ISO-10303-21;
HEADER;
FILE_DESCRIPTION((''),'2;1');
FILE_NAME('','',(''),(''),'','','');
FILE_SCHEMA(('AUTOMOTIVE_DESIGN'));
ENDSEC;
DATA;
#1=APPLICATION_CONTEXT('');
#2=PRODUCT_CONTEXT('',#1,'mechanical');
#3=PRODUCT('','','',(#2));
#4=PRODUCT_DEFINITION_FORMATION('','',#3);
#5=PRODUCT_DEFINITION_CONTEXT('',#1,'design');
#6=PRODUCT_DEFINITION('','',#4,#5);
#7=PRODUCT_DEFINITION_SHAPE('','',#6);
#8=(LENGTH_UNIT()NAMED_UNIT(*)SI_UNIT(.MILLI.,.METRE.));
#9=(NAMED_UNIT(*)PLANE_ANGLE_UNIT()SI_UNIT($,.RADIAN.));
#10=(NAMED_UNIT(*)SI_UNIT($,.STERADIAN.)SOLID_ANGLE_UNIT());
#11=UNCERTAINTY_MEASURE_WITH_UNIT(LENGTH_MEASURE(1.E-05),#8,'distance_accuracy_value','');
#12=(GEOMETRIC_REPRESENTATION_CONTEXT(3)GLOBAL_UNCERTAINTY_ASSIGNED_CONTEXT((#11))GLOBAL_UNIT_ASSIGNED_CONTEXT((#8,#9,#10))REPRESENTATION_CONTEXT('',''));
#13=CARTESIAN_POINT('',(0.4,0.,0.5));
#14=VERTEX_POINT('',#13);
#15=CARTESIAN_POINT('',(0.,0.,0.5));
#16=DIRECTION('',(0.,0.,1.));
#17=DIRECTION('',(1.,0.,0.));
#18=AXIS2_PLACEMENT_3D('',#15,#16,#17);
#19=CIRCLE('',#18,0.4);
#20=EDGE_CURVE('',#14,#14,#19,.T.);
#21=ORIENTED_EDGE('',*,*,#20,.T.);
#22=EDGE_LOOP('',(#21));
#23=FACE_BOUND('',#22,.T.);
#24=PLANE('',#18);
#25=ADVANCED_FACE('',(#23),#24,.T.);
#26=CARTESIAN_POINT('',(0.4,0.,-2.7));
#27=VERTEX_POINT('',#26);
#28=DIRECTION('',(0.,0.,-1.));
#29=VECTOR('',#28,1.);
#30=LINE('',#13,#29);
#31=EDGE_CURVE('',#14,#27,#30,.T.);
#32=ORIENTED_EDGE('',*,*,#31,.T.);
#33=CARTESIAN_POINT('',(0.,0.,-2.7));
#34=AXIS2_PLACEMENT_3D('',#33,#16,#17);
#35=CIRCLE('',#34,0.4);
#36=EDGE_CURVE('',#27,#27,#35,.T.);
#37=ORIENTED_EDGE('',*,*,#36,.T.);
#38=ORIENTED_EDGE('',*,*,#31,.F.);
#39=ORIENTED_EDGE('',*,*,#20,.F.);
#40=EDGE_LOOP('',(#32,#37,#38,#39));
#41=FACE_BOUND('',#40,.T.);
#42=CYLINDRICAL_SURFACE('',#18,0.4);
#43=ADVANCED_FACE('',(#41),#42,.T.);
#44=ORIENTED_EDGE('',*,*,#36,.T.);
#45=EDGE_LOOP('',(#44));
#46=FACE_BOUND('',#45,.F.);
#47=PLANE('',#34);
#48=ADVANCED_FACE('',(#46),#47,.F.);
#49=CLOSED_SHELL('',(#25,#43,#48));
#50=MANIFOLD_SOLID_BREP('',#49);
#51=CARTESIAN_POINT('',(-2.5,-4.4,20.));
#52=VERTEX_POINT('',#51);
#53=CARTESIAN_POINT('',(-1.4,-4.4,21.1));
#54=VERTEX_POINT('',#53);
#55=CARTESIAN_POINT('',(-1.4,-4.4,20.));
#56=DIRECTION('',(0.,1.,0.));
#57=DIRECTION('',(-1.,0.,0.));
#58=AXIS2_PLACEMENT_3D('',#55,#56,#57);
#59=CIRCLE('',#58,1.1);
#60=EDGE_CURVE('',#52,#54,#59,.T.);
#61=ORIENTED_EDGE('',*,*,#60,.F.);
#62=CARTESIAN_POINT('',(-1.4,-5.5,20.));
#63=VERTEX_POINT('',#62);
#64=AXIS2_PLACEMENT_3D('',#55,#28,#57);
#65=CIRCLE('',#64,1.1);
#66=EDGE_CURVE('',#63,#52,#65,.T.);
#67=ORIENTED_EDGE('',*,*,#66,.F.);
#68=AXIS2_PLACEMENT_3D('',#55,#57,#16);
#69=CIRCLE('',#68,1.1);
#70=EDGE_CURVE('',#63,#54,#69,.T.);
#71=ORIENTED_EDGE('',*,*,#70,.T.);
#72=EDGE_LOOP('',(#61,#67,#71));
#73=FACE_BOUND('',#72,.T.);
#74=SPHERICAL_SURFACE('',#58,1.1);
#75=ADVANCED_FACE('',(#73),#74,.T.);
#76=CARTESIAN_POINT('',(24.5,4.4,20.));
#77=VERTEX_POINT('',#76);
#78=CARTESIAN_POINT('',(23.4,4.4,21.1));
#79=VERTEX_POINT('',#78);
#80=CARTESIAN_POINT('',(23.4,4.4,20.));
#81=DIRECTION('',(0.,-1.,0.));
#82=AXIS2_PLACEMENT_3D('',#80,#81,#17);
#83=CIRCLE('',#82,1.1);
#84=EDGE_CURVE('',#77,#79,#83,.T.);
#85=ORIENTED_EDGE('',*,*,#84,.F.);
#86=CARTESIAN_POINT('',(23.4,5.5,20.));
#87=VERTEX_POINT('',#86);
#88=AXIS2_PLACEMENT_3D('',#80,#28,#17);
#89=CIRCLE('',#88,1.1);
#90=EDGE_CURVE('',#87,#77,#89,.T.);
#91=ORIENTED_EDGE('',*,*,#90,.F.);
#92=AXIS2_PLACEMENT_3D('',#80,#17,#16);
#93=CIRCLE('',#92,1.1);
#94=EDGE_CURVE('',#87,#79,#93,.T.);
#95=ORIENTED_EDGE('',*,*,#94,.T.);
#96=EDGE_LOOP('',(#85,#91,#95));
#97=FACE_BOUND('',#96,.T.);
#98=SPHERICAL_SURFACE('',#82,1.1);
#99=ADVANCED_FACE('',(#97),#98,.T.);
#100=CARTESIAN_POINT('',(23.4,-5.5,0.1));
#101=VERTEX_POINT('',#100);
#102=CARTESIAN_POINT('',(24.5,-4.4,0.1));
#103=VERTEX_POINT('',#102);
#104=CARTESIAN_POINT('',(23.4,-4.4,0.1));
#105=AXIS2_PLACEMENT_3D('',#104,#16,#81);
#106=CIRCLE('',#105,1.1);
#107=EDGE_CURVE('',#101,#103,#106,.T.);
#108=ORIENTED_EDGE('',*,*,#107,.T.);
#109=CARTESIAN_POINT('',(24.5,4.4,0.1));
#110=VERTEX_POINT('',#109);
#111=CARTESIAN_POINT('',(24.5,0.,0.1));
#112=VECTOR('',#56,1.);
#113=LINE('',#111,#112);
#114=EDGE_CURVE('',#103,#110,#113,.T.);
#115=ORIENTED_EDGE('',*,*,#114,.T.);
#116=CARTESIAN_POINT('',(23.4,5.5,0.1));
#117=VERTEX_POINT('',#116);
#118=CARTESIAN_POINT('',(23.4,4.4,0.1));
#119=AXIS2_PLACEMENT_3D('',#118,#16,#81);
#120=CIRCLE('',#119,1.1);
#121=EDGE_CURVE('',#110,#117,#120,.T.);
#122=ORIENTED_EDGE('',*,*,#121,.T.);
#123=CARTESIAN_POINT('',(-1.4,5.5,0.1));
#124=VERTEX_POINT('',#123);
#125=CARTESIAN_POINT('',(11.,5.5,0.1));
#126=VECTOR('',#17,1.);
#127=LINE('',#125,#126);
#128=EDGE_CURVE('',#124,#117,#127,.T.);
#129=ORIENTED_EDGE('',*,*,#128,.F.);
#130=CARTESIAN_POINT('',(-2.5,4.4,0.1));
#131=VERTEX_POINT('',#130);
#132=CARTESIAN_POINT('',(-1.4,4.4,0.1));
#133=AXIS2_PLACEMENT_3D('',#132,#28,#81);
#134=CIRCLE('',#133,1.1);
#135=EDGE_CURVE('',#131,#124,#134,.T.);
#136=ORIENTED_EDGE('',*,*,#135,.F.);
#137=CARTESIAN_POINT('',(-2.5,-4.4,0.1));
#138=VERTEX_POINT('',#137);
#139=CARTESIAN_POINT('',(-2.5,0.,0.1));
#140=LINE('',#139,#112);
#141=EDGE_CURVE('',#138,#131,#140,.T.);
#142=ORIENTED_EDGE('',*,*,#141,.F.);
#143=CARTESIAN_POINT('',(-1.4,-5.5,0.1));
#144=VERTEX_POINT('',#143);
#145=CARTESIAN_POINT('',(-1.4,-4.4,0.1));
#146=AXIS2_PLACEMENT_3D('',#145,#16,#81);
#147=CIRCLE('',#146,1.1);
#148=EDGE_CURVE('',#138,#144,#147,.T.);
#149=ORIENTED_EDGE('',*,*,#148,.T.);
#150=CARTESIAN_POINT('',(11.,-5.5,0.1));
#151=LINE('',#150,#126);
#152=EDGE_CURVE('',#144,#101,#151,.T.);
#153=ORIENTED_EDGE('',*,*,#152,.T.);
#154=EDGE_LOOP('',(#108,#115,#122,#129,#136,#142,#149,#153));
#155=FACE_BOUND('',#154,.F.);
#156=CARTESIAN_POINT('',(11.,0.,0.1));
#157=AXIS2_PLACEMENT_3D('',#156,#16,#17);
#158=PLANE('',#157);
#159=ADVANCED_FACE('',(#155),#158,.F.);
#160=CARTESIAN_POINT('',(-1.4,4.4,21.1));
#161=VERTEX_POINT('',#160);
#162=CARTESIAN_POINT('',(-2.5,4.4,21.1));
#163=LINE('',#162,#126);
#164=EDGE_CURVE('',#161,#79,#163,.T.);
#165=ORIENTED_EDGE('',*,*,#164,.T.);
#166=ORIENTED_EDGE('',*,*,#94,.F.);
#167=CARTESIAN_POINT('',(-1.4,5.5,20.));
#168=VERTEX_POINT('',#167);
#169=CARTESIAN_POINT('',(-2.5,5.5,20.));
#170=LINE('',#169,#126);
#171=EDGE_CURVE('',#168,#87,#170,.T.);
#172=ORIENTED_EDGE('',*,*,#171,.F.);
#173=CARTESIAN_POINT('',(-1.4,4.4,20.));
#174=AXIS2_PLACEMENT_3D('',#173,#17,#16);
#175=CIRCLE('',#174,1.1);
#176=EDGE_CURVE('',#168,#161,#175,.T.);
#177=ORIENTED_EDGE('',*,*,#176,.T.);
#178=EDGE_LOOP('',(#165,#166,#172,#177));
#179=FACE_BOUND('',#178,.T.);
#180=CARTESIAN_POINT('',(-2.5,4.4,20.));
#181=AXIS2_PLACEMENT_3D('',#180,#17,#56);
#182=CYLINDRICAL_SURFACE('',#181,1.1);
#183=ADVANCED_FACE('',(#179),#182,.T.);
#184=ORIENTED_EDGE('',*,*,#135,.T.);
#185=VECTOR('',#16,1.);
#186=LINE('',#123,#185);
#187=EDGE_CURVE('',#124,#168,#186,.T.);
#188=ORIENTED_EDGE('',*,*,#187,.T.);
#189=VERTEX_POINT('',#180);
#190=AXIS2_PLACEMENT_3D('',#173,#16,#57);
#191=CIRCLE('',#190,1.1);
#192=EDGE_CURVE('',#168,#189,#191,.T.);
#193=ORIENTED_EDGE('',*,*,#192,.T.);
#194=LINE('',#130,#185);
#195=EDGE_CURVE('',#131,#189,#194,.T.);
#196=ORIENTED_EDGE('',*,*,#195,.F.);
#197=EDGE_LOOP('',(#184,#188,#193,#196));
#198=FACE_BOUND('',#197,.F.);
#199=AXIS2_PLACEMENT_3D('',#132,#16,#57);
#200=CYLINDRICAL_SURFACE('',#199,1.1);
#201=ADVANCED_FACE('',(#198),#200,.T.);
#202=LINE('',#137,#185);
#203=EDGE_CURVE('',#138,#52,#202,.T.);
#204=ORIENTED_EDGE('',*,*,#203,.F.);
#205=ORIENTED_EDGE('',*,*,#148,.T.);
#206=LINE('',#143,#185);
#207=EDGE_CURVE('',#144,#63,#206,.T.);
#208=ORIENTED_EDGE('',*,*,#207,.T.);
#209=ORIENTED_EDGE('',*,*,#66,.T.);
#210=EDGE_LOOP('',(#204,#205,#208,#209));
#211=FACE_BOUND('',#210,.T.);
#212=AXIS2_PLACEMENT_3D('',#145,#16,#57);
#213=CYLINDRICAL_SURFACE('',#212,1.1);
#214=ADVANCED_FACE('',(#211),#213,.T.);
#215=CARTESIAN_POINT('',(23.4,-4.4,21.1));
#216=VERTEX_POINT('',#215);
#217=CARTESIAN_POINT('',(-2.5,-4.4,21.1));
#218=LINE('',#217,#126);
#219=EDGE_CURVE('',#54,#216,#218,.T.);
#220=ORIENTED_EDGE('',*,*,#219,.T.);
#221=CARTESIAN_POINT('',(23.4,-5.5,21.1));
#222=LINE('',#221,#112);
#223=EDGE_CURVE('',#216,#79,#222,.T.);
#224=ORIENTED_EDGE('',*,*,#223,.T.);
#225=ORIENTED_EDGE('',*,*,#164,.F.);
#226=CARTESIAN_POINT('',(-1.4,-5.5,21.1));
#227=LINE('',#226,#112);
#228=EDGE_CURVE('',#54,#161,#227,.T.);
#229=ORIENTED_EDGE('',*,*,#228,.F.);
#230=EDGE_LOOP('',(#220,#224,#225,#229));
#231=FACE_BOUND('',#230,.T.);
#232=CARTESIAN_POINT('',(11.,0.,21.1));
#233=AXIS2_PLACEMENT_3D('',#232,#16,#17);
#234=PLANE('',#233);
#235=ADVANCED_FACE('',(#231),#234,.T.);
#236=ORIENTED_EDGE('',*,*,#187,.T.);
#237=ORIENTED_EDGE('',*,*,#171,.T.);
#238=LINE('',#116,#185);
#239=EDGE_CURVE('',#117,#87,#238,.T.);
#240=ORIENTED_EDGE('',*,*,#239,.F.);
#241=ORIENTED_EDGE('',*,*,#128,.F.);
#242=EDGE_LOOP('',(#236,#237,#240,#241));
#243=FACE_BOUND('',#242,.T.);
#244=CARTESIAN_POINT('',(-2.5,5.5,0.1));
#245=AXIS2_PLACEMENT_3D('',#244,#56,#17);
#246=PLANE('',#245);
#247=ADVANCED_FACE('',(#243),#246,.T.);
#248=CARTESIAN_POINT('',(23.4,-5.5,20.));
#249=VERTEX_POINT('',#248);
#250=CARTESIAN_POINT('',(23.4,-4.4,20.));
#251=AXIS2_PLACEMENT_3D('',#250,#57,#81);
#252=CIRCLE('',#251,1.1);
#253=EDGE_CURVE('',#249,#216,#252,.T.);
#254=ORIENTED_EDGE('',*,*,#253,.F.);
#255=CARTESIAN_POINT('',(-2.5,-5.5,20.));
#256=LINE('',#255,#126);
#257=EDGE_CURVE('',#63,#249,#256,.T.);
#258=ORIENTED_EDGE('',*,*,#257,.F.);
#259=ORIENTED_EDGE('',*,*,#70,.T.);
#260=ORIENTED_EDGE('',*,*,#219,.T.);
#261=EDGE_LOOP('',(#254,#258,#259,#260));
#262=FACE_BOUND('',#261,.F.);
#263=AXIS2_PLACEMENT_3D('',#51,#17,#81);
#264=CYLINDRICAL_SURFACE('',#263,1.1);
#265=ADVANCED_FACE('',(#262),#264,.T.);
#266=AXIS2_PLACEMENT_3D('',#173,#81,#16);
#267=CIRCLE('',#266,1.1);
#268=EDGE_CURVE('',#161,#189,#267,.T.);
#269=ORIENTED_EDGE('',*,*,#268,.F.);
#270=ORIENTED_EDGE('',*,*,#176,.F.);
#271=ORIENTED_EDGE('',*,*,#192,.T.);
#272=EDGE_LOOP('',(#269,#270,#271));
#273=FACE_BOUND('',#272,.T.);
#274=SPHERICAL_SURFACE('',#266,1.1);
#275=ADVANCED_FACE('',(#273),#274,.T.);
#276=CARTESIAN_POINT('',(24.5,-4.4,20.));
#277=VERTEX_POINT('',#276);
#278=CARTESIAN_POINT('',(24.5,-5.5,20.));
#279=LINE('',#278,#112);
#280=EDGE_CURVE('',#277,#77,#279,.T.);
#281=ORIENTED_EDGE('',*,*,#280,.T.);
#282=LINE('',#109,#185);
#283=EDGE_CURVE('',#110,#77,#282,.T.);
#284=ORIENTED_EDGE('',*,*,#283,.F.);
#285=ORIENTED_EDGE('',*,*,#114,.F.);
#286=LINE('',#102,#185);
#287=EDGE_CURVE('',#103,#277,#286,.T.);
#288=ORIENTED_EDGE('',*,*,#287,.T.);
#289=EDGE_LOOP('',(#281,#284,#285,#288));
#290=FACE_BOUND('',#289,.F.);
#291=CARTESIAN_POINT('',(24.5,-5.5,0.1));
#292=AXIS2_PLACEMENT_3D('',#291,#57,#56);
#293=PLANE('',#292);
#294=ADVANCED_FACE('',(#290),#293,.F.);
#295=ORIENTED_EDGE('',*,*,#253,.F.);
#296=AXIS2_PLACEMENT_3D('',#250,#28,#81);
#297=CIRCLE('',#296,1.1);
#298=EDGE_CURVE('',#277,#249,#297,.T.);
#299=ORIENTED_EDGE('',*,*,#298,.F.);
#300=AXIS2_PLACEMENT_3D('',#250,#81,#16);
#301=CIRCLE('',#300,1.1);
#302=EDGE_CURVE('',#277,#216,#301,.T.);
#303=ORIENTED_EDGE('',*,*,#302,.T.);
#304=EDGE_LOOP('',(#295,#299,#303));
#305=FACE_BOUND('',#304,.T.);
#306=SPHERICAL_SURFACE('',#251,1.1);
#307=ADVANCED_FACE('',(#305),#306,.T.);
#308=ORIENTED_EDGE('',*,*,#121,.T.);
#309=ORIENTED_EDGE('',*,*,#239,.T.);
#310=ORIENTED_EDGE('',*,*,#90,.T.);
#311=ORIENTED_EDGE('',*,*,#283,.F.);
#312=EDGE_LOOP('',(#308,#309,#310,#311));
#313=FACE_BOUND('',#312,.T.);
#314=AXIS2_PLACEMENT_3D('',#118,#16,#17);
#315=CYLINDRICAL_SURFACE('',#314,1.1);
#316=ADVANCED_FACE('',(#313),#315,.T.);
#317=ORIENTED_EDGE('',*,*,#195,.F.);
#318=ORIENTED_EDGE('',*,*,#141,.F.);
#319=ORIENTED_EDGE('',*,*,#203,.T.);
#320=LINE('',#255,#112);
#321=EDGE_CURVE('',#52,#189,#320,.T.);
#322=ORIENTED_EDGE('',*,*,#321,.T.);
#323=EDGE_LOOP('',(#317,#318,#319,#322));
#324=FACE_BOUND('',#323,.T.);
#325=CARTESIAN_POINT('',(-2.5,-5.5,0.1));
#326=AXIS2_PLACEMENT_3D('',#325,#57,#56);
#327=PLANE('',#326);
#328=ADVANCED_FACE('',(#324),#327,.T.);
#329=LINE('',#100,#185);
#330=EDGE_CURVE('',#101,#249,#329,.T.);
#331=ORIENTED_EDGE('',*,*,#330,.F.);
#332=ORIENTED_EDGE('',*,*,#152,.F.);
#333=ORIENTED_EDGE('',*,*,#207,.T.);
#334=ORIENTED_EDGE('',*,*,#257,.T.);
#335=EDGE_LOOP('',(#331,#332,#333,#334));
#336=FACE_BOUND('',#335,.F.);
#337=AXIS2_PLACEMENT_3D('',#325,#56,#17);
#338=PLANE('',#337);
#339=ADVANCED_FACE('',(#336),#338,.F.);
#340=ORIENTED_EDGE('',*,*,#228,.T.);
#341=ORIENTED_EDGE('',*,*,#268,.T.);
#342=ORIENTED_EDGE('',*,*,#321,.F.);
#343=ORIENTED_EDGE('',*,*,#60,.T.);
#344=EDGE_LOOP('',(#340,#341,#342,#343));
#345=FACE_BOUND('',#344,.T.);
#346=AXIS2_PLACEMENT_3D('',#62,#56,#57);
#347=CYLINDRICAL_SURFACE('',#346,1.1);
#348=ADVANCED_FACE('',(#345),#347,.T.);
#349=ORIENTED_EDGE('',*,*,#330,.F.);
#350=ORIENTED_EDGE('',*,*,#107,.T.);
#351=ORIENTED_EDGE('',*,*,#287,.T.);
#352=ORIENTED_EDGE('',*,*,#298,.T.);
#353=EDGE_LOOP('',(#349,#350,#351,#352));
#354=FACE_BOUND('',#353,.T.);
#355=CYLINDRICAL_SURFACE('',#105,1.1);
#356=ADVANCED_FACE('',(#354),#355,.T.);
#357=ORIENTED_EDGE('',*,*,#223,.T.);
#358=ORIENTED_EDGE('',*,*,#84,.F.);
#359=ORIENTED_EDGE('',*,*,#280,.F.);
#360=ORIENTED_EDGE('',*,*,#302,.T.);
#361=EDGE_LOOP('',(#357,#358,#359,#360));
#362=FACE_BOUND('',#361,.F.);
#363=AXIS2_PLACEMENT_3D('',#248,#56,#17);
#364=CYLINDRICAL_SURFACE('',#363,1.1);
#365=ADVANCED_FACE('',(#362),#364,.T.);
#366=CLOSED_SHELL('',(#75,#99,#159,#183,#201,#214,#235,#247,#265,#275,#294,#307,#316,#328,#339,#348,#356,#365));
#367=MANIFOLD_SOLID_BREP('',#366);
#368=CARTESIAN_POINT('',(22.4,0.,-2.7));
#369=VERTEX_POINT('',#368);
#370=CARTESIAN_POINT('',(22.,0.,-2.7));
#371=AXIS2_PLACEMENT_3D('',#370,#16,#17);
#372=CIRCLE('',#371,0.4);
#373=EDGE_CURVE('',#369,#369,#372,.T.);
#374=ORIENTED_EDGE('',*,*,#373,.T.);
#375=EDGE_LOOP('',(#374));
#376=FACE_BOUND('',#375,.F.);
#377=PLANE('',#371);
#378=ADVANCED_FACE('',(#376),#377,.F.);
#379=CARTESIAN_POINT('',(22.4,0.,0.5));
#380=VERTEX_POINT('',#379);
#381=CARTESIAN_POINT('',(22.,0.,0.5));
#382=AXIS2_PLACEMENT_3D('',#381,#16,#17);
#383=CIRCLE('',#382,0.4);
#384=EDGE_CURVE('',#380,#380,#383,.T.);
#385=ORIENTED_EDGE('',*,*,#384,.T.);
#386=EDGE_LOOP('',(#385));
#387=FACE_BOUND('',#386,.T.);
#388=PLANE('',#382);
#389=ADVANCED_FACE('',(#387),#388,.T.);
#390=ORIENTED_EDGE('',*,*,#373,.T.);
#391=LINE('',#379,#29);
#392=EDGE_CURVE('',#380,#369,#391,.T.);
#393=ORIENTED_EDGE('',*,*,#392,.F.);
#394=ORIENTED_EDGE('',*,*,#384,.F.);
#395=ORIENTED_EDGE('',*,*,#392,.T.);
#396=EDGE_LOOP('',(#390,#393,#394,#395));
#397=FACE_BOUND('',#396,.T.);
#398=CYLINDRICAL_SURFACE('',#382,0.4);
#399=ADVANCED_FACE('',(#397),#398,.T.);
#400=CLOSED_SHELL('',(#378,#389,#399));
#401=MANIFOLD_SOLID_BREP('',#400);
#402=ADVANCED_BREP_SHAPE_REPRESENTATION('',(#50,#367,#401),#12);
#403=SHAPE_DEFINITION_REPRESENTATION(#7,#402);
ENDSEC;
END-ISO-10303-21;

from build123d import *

# Parameters (mm, degrees)
SKETCH_W     = 27
SKETCH_H     = 11
PAD_DEPTH    = 21
FILLET_R     = 1.1
SKETCH001_R  = 0.4
PAD001_DEPTH = 3.2


with BuildPart() as fillet_body:
    # Sketch → Pad (new body)
    with BuildSketch(Plane.XY.offset(0.1)):
        with Locations((11, 0)):
            Rectangle(SKETCH_W, SKETCH_H)
    extrude(amount=PAD_DEPTH)

    # Fillet
    fillet_edges = [fillet_body.edges().sort_by_distance(p)[0] for p in [
        (-2.5, 0, 21.1),
        (-2.5, -5.5, 10.6),
        (11, -5.5, 21.1),
        (24.5, -5.5, 10.6),
        (24.5, 0, 21.1),
        (24.5, 5.5, 10.6),
        (11, 5.5, 21.1),
        (-2.5, 5.5, 10.6),
    ]]
    fillet(fillet_edges, radius=FILLET_R)


with BuildPart() as pad001:
    # Sketch001 → Pad001 (new body)
    with BuildSketch(Plane.XY.offset(0.5)):
        Circle(SKETCH001_R)
        with Locations((22, 0)):
            Circle(SKETCH001_R)
    extrude(amount=-PAD001_DEPTH)


solid = Compound([fillet_body.part, pad001.part])
